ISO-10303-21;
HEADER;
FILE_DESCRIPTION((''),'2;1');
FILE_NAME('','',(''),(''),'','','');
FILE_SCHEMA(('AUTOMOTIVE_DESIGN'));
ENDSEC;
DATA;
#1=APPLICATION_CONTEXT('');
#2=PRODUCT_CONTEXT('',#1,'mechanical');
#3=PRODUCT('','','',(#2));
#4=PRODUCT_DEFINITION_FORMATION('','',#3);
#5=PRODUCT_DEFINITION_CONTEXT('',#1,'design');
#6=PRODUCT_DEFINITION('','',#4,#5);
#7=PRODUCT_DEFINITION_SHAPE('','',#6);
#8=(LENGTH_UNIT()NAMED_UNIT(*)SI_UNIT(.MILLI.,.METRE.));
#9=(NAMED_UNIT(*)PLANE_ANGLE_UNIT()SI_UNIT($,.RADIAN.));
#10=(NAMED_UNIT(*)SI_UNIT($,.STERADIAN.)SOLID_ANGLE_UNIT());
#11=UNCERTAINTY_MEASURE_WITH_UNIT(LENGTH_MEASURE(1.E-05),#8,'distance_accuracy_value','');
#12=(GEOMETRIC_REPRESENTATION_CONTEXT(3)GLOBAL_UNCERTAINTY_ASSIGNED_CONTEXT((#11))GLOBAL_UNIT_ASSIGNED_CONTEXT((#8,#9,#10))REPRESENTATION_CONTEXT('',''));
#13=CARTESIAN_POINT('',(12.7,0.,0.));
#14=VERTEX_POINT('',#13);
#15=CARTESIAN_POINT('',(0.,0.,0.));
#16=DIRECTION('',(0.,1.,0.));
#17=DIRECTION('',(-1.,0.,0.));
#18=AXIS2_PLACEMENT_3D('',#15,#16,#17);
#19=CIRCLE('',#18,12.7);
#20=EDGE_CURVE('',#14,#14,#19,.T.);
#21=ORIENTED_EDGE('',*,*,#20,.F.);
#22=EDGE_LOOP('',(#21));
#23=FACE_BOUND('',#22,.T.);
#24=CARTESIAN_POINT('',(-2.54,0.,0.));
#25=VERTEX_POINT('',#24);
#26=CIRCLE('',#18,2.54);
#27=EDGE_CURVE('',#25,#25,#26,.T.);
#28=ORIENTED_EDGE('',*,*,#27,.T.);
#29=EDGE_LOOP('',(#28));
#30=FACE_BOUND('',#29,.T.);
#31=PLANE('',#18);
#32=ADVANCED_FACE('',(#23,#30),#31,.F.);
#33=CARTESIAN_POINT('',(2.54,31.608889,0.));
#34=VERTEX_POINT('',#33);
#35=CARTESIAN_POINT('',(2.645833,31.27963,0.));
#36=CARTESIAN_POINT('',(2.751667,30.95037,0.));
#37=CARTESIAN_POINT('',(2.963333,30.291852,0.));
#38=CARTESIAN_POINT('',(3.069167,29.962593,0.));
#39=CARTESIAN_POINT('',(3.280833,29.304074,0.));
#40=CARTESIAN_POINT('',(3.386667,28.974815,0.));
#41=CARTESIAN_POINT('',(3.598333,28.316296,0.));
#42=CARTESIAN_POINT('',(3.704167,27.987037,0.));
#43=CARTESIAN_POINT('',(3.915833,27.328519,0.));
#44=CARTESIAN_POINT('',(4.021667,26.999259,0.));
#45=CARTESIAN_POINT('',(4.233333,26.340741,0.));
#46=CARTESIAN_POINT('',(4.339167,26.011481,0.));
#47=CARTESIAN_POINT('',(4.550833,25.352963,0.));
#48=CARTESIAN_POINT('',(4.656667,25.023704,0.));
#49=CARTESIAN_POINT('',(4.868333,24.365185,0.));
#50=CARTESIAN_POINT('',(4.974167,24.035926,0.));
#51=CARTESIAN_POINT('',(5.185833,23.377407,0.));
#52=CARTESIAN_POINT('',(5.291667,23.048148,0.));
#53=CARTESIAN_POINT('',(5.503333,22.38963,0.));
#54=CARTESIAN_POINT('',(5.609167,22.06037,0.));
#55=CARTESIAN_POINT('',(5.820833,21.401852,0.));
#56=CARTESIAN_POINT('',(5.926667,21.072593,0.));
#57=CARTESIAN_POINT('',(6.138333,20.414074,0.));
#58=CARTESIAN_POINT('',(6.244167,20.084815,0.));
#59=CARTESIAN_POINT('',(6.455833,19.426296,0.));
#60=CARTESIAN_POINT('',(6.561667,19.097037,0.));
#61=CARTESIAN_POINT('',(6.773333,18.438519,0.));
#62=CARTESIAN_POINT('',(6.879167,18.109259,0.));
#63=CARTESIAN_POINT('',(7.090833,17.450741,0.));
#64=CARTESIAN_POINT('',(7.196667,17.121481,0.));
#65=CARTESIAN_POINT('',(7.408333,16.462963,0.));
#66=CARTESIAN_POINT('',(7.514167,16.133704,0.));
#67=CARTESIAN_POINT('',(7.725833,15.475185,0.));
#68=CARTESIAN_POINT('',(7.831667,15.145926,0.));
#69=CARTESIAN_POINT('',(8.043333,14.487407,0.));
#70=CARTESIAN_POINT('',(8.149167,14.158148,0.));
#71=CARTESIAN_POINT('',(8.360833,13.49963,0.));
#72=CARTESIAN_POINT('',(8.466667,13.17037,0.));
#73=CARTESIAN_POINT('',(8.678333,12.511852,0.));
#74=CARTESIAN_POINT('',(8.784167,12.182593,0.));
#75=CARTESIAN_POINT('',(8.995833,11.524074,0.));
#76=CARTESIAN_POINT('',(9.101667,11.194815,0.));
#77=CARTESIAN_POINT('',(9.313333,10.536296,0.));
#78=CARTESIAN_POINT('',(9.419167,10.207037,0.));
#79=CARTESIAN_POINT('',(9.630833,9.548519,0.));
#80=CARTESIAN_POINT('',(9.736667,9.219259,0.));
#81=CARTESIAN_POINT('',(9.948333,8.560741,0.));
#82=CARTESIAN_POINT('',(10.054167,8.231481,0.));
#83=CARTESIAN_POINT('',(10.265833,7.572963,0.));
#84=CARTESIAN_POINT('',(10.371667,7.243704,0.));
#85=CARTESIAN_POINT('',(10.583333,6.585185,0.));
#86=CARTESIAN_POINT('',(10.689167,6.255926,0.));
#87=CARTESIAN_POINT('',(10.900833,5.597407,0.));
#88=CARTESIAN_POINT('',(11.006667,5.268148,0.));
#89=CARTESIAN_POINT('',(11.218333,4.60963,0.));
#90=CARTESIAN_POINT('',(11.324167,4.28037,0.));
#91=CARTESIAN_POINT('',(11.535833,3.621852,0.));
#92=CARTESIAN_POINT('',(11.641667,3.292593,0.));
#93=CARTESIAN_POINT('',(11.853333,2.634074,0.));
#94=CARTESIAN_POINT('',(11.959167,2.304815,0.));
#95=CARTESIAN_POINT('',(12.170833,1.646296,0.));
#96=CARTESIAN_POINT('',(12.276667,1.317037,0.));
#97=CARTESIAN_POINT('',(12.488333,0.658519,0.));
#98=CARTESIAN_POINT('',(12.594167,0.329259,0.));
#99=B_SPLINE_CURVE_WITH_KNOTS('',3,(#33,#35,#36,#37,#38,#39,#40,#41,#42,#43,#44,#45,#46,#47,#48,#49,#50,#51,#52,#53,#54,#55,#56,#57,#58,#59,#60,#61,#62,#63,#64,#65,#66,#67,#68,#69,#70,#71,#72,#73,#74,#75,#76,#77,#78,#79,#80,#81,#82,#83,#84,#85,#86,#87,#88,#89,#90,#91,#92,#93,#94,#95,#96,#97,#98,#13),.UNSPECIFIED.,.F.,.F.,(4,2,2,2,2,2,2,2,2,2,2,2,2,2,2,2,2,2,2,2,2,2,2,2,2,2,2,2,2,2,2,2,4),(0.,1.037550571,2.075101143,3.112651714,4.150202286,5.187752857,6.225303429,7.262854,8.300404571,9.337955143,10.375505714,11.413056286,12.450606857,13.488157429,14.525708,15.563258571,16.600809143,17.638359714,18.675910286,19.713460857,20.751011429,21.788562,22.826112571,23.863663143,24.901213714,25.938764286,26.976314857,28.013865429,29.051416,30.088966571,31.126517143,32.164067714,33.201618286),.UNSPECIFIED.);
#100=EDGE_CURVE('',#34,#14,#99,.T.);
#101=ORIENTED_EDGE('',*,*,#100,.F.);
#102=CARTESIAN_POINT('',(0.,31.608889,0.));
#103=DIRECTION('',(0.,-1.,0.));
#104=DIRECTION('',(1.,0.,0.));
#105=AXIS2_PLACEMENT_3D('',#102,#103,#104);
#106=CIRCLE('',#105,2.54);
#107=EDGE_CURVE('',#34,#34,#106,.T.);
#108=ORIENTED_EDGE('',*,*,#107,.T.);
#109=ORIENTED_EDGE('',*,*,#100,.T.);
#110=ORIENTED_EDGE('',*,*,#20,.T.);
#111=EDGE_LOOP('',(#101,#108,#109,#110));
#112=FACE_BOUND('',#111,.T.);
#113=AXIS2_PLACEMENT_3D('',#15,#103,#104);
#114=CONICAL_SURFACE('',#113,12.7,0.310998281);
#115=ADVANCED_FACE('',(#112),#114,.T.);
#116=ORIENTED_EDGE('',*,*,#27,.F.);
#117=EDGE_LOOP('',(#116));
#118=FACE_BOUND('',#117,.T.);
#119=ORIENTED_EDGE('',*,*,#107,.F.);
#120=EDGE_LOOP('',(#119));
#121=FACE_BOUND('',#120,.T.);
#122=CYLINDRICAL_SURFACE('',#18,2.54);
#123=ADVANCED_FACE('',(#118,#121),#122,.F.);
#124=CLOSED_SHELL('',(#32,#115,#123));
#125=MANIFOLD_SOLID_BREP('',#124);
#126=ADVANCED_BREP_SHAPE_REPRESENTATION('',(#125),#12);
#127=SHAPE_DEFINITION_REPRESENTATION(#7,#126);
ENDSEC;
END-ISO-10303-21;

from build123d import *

# Parameters (mm, degrees)
SKETCH2_R          = 2.54
CUT_EXTRUDE1_DEPTH = 40.838343339


with BuildPart() as part:
    # Sketch1 → Revolve1 (revolve)
    with BuildSketch(Plane.XY):
        Polygon((0, 0), (12.7, 0), (1.27, 35.56), (0, 35.56), align=None)
    revolve(axis=Axis((0, 35.56, 0), (0, -1, 0)))

    # Sketch2 → Cut-Extrude1 (cut, through all)
    with BuildSketch(Plane(origin=(0, 35.56, 0), x_dir=(1, 0, 0), z_dir=(0, 1, 0))):
        with Locations(Location((0, 0, 0), (0, 0, 180))):
            Circle(SKETCH2_R)
    extrude(amount=-CUT_EXTRUDE1_DEPTH, mode=Mode.SUBTRACT)


solid = part.part
